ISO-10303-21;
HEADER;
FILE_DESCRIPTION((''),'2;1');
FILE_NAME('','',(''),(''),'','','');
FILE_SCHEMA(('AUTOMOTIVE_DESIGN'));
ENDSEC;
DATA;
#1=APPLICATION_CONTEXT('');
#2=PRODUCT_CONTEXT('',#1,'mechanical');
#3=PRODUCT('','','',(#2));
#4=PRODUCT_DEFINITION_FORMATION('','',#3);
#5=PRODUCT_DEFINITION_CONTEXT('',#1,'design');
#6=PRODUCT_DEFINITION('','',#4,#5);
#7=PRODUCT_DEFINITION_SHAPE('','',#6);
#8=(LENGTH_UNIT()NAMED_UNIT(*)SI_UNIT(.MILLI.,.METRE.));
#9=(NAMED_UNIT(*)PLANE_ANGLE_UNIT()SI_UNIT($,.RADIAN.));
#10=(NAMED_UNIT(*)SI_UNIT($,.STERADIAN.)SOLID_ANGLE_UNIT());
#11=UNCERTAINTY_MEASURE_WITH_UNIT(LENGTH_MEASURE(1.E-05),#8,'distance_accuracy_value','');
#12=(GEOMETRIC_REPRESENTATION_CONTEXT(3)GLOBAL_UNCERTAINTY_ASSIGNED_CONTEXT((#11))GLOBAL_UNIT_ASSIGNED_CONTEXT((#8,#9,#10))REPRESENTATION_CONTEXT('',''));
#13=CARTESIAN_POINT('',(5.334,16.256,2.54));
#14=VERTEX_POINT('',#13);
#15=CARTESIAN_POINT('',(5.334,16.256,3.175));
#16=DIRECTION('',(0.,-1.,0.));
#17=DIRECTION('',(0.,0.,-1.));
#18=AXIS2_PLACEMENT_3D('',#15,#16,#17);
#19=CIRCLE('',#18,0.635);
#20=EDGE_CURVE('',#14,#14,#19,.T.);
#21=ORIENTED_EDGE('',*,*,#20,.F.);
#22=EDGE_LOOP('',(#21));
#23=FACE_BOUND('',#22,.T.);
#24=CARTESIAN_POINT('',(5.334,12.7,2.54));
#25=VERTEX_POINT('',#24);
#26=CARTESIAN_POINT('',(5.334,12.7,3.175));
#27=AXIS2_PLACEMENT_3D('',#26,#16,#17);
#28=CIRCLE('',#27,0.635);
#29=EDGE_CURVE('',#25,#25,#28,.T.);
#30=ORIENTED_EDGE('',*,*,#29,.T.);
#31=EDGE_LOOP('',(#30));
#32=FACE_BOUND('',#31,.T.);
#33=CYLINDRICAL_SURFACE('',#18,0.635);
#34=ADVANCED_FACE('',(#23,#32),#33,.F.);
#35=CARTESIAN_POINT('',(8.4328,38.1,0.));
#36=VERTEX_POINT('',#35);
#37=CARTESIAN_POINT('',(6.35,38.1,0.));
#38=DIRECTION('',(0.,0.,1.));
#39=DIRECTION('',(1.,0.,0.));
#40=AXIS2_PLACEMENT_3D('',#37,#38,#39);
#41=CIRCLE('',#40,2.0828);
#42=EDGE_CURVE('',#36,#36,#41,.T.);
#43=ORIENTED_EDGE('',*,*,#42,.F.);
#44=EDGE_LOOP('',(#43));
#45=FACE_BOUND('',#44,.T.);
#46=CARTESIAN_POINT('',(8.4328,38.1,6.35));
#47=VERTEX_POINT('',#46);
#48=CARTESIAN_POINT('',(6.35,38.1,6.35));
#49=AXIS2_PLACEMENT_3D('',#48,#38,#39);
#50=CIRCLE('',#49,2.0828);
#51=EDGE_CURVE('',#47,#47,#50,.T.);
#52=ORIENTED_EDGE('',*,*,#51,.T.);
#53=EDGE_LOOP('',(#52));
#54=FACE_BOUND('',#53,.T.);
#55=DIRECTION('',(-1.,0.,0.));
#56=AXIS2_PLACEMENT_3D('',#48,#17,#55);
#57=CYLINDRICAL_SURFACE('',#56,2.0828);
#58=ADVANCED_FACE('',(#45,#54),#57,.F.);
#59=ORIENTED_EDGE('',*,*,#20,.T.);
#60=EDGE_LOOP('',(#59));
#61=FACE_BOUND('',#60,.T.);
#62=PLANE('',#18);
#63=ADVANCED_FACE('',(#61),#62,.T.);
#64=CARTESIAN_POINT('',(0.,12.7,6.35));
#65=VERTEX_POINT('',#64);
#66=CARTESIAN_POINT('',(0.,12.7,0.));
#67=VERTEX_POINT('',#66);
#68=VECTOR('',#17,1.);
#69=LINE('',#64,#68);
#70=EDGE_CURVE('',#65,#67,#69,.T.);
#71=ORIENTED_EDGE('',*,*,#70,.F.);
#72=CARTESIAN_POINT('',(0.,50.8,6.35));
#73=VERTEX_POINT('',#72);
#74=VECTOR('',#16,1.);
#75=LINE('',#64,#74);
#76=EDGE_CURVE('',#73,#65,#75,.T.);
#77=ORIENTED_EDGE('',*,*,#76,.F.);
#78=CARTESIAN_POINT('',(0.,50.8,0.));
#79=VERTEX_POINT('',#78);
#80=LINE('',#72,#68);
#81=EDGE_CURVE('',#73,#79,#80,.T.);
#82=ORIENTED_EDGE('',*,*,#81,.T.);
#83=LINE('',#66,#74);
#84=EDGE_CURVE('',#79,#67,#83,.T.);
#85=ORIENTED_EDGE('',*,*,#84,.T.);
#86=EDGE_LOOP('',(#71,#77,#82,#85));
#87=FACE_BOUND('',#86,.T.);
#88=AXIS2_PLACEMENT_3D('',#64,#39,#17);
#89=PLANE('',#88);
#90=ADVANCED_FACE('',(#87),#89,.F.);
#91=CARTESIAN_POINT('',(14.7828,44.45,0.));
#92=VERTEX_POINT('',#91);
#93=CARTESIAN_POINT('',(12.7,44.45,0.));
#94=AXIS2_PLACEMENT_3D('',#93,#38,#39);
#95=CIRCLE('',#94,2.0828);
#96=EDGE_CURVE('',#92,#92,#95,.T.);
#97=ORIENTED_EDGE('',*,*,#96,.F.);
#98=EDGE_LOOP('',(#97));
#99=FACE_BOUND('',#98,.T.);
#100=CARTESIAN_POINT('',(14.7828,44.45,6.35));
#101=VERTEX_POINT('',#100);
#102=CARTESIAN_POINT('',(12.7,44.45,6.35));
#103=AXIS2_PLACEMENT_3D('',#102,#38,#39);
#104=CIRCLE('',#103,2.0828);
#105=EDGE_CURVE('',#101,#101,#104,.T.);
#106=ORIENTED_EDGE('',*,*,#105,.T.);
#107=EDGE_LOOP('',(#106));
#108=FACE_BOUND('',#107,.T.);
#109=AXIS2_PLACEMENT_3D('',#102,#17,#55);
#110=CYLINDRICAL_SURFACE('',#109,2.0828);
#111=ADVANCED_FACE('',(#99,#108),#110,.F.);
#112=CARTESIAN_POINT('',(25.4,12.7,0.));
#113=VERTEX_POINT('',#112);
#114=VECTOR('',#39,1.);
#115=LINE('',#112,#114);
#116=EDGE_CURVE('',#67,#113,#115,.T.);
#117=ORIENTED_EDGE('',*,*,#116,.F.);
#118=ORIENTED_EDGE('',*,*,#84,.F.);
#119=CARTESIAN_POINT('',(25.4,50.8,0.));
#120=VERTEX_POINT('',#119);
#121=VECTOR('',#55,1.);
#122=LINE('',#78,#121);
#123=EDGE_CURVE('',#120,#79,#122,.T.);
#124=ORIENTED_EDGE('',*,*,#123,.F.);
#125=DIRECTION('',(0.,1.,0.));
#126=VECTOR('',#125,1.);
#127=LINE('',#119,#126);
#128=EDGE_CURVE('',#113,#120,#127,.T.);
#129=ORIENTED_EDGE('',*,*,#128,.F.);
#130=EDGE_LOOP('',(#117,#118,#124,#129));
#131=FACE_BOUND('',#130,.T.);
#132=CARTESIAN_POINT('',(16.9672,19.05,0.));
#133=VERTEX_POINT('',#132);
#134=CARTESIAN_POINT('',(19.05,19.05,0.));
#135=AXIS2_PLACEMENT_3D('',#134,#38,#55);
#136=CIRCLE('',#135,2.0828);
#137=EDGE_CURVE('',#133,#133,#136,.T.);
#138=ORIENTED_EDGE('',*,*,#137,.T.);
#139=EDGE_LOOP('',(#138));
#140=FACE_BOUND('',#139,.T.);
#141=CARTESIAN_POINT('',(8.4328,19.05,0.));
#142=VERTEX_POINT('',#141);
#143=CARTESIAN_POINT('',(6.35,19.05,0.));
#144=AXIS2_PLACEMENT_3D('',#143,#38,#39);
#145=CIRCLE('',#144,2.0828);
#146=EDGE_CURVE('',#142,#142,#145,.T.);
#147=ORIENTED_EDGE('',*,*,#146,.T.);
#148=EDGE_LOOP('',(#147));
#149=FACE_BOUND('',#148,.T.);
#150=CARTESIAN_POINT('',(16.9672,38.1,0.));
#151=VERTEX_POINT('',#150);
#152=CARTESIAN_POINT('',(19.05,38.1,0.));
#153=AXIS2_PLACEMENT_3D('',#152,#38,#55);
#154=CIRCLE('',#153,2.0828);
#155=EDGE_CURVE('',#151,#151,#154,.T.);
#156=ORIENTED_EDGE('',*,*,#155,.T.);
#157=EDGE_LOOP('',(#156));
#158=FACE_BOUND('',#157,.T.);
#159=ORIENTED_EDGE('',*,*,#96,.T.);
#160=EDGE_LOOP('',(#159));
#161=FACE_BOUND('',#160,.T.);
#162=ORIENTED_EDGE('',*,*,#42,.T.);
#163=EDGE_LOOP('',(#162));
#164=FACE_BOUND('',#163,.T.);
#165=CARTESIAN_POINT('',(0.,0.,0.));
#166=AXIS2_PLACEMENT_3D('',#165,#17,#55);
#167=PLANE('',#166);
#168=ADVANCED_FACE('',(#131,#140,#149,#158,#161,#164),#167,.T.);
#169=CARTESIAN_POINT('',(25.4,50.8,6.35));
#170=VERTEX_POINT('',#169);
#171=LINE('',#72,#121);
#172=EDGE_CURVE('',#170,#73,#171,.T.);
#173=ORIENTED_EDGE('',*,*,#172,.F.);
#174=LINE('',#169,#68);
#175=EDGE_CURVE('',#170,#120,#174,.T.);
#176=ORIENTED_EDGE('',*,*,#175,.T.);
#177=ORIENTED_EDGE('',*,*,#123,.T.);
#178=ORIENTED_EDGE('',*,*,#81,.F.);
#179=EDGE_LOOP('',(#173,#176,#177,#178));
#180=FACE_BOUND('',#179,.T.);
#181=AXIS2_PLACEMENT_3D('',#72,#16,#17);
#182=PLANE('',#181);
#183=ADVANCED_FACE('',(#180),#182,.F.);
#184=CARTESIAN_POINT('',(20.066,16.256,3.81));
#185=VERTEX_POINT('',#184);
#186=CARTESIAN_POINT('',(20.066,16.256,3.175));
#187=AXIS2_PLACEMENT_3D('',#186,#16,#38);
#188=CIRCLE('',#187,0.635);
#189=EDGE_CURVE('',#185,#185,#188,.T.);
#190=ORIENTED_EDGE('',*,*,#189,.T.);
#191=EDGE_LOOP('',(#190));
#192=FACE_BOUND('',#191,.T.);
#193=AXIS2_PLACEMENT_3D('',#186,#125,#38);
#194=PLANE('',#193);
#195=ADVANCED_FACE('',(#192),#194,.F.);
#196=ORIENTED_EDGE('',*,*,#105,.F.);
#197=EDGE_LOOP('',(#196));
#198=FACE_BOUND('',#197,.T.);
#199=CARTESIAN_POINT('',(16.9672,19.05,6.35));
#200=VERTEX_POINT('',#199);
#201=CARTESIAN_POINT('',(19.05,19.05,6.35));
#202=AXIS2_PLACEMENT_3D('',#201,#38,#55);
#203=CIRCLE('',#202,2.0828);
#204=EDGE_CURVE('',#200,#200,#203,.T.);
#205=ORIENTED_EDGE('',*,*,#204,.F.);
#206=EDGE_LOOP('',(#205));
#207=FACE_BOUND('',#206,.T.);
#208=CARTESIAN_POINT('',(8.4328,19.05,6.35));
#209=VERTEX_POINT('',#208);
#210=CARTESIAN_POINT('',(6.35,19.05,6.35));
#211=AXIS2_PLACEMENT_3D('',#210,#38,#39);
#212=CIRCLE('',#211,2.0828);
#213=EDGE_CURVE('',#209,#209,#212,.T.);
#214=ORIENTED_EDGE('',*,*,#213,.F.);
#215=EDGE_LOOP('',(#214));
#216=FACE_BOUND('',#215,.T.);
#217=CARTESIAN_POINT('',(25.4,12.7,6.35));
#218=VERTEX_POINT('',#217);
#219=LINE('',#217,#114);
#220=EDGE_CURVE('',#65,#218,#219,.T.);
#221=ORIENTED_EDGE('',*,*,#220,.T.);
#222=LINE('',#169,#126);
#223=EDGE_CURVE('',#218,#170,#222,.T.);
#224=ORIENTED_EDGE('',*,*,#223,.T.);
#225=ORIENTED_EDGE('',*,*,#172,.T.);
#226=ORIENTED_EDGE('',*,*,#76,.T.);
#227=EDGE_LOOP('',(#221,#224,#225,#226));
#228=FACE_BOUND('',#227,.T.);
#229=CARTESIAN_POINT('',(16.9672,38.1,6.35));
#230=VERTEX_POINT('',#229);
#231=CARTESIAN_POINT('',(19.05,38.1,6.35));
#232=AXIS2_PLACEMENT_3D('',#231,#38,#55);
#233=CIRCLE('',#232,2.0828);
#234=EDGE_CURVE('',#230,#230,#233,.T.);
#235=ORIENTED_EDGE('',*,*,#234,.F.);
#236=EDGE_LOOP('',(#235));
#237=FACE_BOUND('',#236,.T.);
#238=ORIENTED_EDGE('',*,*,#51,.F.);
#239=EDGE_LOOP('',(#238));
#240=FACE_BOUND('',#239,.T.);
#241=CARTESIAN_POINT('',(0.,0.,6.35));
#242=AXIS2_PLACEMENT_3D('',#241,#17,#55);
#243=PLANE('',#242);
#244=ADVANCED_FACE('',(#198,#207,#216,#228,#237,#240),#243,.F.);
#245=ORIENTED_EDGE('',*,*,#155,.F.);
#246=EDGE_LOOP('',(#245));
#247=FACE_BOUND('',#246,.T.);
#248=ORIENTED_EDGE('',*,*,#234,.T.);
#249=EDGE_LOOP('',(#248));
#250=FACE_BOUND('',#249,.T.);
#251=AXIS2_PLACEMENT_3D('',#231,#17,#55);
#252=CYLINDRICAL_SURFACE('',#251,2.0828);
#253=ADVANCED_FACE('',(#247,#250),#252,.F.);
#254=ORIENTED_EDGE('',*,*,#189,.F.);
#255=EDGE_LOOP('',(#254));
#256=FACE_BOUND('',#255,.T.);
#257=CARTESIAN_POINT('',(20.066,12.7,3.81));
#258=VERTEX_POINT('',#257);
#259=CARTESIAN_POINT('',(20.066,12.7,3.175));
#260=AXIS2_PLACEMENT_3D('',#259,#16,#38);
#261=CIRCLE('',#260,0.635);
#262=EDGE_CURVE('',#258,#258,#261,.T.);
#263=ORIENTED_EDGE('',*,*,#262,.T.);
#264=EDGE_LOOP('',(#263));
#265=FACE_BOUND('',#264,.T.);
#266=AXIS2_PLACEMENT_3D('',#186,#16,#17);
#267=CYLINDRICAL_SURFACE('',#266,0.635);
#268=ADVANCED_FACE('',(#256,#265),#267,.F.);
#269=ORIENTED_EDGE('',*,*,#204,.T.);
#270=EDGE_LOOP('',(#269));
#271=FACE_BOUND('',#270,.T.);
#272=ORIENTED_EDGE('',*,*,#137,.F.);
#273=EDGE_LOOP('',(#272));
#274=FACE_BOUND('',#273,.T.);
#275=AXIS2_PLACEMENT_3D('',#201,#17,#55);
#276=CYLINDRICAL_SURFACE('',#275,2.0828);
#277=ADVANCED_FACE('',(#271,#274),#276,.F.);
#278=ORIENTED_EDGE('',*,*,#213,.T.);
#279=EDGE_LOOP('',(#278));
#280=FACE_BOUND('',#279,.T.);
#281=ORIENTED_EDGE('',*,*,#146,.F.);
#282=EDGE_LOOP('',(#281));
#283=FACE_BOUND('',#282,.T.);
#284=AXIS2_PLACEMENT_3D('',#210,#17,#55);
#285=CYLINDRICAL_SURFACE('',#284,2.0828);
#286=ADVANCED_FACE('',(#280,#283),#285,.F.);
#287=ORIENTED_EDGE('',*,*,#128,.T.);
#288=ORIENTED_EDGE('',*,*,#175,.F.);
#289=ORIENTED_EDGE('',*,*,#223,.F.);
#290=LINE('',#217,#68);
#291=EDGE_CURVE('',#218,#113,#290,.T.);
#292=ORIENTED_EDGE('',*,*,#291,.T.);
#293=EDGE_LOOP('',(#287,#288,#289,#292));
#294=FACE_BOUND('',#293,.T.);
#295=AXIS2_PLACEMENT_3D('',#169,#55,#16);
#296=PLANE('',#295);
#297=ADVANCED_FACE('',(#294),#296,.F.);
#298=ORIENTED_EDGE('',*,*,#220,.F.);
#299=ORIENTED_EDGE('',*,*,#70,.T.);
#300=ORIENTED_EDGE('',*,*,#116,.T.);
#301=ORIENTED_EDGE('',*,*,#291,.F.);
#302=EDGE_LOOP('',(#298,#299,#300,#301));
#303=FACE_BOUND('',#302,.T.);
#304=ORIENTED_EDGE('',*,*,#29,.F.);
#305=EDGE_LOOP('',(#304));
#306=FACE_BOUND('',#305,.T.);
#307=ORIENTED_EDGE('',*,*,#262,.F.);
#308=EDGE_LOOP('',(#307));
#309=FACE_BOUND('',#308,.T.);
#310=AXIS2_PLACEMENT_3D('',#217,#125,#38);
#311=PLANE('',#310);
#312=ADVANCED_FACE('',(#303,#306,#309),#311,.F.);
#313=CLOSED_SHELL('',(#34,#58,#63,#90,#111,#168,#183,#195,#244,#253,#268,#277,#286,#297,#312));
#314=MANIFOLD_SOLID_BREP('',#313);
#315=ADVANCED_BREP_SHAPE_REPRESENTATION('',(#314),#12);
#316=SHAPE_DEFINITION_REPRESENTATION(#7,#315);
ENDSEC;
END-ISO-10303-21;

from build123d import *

# Parameters (mm, degrees)
SKETCH1_W           = 25.4
SKETCH1_H           = 38.1
SKETCH1_R           = 2.0828
BOSS_EXTRUDE1_DEPTH = 6.35
SKETCH2_R           = 0.635
CUT_EXTRUDE1_DEPTH  = 3.556


with BuildPart() as part:
    # Sketch1 → Boss-Extrude1 (new body)
    with BuildSketch(Plane.XY):
        with Locations((12.7, 31.75)):
            Rectangle(SKETCH1_W, SKETCH1_H)
        with Locations((6.35, 19.05)):
            Circle(SKETCH1_R, mode=Mode.SUBTRACT)
        with Locations((6.35, 38.1)):
            Circle(SKETCH1_R, mode=Mode.SUBTRACT)
        with Locations((12.7, 44.45)):
            Circle(SKETCH1_R, mode=Mode.SUBTRACT)
        with Locations(Location((19.05, 19.05, 0), (0, 0, 180))):
            Circle(SKETCH1_R, mode=Mode.SUBTRACT)
        with Locations(Location((19.05, 38.1, 0), (0, 0, 180))):
            Circle(SKETCH1_R, mode=Mode.SUBTRACT)
    extrude(amount=BOSS_EXTRUDE1_DEPTH)

    # Sketch2 → Cut-Extrude1 (cut)
    with BuildSketch(Plane.XZ.offset(-12.7)):
        with Locations(Location((5.334, 3.175, 0), (0, 0, 270))):
            Circle(SKETCH2_R)
        with Locations(Location((20.066, 3.175, 0), (0, 0, 90))):
            Circle(SKETCH2_R)
    extrude(amount=-CUT_EXTRUDE1_DEPTH, mode=Mode.SUBTRACT)


solid = part.part
